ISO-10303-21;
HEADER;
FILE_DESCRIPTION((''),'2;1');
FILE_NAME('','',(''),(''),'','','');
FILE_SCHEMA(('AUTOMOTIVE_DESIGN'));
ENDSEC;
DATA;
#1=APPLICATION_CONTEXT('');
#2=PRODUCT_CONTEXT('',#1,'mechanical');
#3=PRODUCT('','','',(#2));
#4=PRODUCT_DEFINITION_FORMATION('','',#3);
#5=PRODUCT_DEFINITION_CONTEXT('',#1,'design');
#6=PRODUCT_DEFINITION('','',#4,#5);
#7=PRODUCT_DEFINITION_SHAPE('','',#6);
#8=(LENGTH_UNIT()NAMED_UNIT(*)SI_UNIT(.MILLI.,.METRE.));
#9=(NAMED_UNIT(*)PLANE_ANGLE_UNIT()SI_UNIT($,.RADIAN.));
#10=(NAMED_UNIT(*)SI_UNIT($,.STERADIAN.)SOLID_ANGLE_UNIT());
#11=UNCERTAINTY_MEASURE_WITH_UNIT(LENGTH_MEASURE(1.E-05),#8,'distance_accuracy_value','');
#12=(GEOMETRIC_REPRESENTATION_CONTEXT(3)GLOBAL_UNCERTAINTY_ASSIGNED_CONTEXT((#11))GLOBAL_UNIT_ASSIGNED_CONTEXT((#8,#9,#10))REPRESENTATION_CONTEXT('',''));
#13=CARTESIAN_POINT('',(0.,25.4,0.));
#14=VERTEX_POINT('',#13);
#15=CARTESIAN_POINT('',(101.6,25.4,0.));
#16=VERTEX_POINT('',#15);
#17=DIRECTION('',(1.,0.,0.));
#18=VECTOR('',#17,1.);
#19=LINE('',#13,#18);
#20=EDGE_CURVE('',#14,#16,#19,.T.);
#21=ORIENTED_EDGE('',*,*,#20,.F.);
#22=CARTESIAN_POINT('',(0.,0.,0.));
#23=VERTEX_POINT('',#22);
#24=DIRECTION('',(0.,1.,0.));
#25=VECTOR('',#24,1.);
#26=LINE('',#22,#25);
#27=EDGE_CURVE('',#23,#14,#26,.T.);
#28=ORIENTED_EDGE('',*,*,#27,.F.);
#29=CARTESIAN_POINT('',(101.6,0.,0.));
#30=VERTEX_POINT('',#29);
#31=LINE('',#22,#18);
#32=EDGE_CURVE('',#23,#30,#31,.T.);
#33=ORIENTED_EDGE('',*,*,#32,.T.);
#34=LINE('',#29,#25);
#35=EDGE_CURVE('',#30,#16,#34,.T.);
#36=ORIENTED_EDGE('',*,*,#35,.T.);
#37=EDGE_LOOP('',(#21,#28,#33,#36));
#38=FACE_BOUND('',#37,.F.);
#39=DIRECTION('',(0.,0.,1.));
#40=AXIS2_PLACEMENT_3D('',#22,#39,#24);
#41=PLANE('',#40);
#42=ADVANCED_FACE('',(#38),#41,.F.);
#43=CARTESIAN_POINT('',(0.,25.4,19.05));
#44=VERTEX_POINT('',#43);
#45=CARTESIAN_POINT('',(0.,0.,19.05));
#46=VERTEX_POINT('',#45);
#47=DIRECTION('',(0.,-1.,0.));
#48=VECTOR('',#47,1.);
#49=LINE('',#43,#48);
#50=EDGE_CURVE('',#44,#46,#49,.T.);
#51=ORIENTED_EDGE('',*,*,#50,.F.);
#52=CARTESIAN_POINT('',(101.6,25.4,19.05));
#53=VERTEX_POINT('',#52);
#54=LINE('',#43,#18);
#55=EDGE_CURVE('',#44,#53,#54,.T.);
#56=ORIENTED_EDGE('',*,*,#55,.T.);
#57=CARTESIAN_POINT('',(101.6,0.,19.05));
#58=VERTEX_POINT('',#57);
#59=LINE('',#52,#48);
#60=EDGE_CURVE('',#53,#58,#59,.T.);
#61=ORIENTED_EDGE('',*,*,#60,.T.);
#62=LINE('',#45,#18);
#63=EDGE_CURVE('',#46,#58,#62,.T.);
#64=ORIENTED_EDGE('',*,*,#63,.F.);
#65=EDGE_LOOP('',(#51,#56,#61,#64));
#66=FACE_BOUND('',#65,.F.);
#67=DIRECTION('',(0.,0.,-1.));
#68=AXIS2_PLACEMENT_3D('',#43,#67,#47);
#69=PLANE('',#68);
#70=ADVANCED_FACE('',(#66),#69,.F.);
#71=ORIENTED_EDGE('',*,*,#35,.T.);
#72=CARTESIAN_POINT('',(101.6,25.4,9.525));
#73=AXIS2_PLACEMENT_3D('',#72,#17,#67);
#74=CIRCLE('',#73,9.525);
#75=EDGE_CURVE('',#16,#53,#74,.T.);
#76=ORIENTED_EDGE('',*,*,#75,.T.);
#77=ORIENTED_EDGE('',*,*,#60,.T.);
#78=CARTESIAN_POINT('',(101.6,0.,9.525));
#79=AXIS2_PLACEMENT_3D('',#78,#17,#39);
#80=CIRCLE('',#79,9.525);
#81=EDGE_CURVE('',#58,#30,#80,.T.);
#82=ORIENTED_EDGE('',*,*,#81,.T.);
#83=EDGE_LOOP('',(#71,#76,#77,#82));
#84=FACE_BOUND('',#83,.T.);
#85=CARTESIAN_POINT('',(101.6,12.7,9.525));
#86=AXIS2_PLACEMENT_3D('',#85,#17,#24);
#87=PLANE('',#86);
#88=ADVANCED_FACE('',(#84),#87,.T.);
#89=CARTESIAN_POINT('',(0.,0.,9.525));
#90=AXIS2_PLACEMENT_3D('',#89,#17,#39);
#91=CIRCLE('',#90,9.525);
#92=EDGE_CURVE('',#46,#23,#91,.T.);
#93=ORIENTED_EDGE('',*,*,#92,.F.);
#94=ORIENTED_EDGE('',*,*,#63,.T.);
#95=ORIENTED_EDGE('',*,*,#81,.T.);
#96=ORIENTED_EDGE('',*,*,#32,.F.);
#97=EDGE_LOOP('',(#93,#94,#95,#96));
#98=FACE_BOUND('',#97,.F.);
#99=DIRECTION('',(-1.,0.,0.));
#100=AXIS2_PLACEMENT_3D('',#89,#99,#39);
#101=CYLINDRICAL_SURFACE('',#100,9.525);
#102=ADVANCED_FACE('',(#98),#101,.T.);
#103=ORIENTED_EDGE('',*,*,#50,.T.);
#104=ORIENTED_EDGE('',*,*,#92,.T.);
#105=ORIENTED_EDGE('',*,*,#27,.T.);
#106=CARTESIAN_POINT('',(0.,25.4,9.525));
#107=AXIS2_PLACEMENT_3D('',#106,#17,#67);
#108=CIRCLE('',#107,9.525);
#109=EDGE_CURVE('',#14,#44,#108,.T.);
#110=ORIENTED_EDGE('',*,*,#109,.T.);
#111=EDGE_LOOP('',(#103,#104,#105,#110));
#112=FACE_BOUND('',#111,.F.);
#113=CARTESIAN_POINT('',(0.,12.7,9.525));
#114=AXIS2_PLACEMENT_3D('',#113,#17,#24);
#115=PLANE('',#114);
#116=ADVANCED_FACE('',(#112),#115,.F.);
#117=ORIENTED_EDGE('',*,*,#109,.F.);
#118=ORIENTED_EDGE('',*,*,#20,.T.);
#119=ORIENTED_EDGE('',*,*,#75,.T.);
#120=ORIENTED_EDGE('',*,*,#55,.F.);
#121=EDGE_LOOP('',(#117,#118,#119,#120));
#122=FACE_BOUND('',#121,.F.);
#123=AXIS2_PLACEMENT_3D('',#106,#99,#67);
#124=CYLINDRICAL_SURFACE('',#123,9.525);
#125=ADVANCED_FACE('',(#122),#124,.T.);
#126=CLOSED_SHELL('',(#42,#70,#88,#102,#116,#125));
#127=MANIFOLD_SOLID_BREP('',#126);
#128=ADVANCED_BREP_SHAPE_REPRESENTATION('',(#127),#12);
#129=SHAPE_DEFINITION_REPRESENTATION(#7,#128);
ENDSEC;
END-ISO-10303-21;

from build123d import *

# Parameters (mm, degrees)
F1_DEPTH = 101.6


with BuildPart() as f1:
    # F0 (on Right) → F1 (new body)
    with BuildSketch(Plane.YZ):
        with BuildLine():
            ThreePointArc((0, 19.05), (-9.525, 9.525), (0, 0))
            Line((0, 0), (25.4, 0))
            ThreePointArc((25.4, 0), (34.925, 9.525), (25.4, 19.05))
            Line((25.4, 19.05), (0, 19.05))
        make_face()
    extrude(amount=F1_DEPTH)


solid = f1.part
